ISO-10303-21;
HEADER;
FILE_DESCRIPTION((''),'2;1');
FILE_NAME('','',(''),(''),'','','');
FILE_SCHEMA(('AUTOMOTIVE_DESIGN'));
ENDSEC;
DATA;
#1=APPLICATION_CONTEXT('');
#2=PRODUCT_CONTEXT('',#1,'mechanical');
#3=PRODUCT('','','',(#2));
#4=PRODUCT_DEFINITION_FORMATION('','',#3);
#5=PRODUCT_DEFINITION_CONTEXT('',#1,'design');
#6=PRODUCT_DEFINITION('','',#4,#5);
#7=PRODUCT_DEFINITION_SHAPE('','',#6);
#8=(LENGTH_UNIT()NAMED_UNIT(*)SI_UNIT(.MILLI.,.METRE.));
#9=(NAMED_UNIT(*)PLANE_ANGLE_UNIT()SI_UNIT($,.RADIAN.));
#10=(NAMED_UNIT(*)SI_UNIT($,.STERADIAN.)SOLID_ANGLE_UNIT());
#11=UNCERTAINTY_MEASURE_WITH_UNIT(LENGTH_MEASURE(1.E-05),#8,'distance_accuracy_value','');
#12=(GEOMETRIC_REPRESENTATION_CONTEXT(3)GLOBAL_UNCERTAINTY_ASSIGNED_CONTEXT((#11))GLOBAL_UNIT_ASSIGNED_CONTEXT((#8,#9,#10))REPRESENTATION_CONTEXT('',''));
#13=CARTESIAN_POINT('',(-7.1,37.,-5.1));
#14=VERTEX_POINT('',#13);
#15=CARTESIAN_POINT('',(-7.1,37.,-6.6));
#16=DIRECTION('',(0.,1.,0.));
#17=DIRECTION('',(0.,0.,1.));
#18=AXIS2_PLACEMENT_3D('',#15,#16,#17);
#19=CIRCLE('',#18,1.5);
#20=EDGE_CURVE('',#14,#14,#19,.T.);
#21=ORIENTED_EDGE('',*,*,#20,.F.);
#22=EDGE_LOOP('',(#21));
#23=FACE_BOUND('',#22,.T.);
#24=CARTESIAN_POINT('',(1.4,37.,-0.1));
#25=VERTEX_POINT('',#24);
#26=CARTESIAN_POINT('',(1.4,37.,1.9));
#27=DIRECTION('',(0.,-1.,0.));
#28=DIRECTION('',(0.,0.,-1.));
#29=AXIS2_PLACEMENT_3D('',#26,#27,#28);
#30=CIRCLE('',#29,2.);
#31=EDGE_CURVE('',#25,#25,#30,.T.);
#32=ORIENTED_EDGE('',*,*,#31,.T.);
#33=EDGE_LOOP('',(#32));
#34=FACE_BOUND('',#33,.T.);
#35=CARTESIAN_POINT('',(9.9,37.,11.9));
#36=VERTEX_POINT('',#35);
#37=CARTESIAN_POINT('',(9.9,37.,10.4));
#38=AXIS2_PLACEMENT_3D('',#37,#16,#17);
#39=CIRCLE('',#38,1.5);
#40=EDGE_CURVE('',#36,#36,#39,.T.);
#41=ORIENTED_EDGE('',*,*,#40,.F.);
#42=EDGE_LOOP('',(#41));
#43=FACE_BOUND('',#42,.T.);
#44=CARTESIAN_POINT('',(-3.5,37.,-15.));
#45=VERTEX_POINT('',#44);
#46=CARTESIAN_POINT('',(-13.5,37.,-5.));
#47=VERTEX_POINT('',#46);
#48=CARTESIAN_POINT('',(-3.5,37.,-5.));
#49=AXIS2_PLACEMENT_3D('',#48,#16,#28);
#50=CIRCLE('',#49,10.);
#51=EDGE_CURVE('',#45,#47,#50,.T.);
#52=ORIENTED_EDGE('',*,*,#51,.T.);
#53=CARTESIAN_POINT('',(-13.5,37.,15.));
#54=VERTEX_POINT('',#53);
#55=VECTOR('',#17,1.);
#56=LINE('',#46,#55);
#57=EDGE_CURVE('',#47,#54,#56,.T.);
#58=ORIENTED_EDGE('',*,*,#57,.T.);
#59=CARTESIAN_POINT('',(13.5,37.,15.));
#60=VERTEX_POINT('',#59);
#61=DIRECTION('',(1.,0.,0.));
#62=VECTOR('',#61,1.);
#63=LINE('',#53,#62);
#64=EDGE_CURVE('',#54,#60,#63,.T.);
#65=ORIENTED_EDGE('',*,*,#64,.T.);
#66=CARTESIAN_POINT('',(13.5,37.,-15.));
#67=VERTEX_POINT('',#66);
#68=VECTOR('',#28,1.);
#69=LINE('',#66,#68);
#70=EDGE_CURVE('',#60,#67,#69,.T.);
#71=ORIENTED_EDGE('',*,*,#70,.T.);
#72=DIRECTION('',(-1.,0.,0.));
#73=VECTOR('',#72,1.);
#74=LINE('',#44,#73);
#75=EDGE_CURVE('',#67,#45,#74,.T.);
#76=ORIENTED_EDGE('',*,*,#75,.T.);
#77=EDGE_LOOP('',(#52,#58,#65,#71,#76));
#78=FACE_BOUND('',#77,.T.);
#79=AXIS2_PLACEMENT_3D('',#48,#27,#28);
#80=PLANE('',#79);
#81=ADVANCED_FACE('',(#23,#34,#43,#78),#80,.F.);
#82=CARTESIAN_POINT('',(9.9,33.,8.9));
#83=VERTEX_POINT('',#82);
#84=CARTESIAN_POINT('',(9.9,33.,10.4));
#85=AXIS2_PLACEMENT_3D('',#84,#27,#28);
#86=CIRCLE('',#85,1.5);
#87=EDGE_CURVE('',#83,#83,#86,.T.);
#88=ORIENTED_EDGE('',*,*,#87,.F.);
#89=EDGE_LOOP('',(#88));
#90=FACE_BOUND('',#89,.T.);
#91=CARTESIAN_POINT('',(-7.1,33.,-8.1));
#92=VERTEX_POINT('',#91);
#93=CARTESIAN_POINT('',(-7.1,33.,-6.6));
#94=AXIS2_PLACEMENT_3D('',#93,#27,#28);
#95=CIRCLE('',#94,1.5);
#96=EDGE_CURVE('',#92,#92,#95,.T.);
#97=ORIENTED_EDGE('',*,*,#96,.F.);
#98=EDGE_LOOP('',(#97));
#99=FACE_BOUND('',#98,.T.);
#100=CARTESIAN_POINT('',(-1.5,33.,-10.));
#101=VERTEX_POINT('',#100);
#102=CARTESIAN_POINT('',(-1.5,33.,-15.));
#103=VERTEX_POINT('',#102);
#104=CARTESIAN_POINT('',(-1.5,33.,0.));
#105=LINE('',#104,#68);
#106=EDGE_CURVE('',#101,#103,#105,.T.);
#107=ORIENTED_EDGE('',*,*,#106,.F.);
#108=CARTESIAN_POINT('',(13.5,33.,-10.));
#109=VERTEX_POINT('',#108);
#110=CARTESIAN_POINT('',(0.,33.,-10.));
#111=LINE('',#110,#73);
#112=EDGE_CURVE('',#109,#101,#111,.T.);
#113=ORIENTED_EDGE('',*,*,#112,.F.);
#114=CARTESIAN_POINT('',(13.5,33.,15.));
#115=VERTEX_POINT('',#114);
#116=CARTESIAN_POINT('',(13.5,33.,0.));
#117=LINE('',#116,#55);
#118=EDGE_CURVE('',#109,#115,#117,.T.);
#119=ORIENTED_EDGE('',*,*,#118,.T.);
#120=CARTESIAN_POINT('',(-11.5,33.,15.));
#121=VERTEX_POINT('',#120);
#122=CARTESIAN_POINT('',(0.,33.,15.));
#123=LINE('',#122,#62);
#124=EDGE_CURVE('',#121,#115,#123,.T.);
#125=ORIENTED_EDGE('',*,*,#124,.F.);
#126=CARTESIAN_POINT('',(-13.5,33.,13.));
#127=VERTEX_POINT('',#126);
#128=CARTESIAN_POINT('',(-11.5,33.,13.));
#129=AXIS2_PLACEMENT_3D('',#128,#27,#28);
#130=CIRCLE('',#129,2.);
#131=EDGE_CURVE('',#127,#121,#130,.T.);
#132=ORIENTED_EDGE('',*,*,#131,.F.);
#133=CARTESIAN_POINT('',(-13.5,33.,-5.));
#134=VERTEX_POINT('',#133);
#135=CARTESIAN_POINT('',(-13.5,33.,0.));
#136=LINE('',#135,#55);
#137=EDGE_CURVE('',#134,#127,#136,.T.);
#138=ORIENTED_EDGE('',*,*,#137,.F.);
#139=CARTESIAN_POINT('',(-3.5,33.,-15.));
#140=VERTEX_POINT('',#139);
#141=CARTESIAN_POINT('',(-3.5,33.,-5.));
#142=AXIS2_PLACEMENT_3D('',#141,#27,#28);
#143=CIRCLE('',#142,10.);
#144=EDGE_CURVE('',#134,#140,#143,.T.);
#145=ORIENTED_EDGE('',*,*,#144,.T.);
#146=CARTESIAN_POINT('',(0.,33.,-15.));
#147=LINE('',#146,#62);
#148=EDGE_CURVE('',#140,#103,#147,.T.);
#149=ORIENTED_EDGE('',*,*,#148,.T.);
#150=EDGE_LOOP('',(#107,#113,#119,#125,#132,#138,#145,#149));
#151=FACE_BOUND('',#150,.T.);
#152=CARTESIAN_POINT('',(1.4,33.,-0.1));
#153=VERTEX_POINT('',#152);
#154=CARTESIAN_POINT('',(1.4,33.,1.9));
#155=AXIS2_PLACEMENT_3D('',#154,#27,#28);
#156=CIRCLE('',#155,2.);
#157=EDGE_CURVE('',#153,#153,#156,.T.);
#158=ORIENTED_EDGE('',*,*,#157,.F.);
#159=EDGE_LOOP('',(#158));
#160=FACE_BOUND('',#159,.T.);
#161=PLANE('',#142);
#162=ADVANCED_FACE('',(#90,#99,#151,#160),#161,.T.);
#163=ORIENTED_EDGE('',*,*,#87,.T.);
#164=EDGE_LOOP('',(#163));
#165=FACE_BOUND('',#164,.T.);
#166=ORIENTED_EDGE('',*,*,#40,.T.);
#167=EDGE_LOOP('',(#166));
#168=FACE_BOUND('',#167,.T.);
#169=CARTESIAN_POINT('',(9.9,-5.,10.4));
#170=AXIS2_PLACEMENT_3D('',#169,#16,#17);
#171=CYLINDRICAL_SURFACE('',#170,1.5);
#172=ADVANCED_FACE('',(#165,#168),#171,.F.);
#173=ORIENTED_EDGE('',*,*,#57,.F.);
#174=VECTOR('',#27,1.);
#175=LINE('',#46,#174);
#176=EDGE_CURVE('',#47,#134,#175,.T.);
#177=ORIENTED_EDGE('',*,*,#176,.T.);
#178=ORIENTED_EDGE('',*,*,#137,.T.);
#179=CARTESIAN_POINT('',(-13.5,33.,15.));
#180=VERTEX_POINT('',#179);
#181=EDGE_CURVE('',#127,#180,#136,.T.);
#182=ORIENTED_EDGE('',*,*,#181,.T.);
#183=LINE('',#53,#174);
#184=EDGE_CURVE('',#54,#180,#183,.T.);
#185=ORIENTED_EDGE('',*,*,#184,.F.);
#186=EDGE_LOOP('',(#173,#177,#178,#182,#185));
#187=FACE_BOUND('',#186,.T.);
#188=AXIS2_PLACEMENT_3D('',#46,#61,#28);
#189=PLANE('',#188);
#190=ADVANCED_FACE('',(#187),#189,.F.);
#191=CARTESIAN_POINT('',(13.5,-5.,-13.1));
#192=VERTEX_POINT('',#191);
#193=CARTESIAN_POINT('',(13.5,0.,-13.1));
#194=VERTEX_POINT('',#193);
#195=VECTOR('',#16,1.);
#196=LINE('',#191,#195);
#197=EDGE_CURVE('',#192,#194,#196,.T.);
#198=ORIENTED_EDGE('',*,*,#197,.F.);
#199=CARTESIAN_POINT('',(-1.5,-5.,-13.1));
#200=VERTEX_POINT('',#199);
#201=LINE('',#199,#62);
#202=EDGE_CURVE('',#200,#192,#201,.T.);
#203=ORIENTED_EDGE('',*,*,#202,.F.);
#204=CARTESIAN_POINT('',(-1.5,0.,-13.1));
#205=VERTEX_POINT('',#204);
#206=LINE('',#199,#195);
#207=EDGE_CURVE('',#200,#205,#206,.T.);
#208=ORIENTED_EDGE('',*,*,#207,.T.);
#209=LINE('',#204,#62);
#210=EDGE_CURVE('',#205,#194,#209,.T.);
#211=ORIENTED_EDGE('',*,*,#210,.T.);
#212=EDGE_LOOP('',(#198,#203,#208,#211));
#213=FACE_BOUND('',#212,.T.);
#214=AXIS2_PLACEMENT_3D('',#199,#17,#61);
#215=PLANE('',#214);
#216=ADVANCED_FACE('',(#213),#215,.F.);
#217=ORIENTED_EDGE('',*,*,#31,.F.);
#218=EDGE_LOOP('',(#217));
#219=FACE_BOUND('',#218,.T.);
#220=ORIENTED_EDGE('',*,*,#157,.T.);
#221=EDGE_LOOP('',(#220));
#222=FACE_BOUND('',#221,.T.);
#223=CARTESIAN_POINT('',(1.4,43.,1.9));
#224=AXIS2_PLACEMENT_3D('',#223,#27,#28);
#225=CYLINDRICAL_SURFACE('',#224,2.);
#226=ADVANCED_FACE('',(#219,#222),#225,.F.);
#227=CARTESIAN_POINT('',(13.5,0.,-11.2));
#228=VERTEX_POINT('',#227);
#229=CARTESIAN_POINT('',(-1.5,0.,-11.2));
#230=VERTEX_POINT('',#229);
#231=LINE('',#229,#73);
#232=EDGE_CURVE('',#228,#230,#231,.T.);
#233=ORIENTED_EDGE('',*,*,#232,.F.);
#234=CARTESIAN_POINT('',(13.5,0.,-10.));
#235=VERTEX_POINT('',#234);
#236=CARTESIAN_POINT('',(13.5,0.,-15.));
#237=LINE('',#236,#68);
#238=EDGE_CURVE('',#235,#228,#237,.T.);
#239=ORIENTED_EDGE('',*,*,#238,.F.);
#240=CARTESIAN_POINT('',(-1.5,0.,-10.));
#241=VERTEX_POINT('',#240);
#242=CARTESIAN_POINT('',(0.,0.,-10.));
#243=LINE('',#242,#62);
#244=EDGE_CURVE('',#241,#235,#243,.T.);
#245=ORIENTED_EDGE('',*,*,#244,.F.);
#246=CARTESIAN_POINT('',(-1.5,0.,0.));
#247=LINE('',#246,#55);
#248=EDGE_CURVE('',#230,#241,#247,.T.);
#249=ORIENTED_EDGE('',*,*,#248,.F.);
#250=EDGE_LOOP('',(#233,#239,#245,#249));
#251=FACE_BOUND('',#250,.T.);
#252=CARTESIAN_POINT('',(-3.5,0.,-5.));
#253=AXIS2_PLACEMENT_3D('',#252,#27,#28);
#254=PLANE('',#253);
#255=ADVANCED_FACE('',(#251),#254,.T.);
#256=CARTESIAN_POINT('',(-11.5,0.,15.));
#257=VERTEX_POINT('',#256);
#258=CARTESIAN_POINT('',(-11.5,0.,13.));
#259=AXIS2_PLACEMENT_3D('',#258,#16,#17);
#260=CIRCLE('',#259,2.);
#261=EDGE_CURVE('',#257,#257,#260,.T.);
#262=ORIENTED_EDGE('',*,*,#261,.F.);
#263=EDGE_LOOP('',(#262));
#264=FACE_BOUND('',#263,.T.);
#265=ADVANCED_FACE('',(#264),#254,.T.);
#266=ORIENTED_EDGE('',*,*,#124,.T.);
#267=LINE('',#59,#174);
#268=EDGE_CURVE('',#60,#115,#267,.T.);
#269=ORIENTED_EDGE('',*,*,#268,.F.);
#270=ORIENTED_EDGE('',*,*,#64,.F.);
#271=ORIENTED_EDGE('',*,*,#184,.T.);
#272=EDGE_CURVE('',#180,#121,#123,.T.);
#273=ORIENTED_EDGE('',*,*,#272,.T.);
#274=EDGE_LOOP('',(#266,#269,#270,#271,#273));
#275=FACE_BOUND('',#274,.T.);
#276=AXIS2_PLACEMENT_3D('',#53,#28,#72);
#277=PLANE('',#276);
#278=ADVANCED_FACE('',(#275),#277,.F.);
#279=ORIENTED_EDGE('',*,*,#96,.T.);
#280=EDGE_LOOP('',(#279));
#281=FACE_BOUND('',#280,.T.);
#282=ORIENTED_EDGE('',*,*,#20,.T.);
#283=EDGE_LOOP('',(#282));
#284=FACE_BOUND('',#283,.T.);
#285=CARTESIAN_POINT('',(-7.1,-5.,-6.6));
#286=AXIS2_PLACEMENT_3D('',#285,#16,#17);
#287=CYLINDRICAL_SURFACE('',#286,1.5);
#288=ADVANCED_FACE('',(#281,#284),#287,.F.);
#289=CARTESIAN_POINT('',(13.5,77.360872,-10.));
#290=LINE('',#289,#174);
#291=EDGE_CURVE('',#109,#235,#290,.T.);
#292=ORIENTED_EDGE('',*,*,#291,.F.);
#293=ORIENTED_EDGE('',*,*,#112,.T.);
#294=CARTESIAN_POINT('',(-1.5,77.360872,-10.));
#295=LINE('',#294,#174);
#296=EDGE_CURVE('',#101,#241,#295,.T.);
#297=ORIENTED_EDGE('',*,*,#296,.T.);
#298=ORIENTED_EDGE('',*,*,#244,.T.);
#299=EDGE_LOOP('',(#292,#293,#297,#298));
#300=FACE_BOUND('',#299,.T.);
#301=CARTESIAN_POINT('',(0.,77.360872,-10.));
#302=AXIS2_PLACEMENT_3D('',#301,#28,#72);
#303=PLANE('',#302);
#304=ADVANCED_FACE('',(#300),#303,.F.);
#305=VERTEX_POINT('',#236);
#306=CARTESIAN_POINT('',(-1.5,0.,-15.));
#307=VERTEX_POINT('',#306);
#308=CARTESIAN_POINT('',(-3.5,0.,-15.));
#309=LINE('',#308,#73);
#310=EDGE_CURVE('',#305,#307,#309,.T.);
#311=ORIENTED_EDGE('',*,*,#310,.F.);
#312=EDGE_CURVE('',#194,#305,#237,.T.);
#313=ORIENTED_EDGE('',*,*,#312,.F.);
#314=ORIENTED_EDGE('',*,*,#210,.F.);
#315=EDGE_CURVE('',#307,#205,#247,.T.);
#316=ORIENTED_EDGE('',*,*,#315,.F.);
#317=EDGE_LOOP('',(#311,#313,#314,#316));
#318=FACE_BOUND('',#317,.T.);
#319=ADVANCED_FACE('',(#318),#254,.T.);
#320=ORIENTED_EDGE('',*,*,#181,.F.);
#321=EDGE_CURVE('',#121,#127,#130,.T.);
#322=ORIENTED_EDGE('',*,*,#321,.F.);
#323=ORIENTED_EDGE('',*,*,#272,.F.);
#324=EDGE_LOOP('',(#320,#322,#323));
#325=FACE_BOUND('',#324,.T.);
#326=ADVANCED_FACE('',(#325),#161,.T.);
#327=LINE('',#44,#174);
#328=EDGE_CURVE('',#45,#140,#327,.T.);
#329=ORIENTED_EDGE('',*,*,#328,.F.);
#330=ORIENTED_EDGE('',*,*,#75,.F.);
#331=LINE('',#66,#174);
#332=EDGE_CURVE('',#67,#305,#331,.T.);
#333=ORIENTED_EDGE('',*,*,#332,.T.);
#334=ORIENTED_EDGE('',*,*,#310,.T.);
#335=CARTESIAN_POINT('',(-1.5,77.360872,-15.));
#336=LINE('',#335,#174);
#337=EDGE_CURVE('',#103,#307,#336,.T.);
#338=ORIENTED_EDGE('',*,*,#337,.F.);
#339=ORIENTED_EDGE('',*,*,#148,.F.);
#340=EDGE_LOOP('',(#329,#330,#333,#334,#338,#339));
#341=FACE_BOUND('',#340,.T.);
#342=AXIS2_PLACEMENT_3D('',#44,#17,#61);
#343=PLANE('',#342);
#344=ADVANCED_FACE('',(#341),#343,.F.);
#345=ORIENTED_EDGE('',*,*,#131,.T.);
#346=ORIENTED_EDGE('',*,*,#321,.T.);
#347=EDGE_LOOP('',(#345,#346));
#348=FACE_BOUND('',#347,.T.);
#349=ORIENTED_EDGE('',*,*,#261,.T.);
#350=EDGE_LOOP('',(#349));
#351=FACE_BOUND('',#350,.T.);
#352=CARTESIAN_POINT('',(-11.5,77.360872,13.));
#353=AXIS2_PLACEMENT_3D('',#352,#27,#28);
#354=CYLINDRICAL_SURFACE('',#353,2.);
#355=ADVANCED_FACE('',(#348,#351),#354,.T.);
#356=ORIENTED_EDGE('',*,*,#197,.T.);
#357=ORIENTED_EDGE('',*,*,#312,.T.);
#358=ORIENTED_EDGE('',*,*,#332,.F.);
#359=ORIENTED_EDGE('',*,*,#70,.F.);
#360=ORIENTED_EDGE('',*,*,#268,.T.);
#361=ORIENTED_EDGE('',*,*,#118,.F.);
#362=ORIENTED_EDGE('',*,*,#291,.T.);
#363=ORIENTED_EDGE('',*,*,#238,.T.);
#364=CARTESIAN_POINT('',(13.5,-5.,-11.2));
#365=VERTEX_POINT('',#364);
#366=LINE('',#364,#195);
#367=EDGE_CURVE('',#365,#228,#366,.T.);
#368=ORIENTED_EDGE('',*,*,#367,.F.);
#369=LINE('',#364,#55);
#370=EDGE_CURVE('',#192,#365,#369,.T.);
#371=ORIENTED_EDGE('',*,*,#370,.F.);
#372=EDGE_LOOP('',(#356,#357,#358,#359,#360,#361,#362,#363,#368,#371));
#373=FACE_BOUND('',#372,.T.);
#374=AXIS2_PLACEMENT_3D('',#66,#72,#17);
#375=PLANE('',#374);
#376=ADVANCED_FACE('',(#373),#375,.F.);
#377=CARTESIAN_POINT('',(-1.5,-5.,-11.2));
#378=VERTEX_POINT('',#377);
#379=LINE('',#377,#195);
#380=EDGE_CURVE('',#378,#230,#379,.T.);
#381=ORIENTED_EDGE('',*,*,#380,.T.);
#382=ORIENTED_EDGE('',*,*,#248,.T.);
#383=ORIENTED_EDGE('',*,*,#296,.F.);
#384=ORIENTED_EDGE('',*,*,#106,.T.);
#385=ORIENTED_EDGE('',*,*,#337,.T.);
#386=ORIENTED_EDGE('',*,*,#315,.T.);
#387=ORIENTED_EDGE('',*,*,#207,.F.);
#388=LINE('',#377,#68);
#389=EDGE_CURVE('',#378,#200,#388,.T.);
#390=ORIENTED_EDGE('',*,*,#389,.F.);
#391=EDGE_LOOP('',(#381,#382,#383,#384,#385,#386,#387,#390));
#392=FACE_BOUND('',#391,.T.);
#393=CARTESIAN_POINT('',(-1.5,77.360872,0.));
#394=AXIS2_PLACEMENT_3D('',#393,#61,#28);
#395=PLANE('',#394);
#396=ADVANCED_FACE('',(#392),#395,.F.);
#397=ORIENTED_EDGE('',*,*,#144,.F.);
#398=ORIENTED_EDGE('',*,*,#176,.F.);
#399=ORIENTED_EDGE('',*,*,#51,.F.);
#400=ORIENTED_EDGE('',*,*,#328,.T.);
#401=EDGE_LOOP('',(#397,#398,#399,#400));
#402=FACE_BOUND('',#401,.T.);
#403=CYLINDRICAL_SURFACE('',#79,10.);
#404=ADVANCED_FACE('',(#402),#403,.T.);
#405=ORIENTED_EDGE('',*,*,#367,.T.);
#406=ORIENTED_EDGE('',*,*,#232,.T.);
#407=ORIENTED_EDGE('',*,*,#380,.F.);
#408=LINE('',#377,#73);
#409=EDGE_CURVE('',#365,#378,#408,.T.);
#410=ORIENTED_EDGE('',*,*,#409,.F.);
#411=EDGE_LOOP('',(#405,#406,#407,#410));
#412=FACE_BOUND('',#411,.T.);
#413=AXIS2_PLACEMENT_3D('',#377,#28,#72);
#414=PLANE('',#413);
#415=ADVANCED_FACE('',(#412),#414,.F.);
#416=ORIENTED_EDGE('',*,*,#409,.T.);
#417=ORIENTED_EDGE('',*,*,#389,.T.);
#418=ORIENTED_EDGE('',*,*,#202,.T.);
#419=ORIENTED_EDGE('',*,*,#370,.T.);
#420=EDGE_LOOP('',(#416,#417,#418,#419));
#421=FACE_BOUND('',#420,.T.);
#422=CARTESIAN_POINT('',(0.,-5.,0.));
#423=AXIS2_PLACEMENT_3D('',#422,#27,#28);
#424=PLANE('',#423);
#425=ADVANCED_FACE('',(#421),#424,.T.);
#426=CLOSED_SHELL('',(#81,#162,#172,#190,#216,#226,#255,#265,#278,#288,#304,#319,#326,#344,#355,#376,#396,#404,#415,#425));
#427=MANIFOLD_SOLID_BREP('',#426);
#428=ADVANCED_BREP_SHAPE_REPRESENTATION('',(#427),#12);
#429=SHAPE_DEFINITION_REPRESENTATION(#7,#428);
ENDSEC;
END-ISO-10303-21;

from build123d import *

# Parameters (mm, degrees)
EXTRUDE_1_DEPTH     = 37
CUT_EXTRUDE_1_DEPTH = 33
SKETCH_3_W          = 15
SKETCH_3_H          = 1.9
EXTRUDE_2_DEPTH     = 5
SKETCH_4_R          = 2
CUT_EXTRUDE_2_DEPTH = 10
SKETCH_5_R          = 1.5
CUT_EXTRUDE_3_DEPTH = 47.596673701


with BuildPart() as part:
    # 草图1 → 凸台-拉伸1 (new body)
    with BuildSketch(Plane(origin=(0, 0, 0), x_dir=(1, 0, 0), z_dir=(0, 1, 0))):
        with BuildLine():
            Line((-3.5, 15), (13.5, 15))
            Line((13.5, 15), (13.5, -15))
            Line((13.5, -15), (-13.5, -15))
            Line((-13.5, -15), (-13.5, 5))
            ThreePointArc((-13.5, 5), (-10.571067812, 12.071067812), (-3.5, 15))
        make_face()
    extrude(amount=EXTRUDE_1_DEPTH)

    # 草图2 → 切除-拉伸1 (cut)
    with BuildSketch(Plane(origin=(0, 0, 0), x_dir=(1, 0, 0), z_dir=(0, 1, 0))):
        with BuildLine():
            Line((-11.499999995, -15), (13.5, -15))
            Line((13.5, -15), (13.5, 10))
            Line((13.5, 10), (-1.5, 10))
            Line((-1.5, 10), (-1.5, 15))
            Line((-1.5, 15), (-13.5, 15))
            Line((-13.5, 15), (-13.5, -13))
            ThreePointArc((-13.5, -13), (-11.5, -11), (-9.5, -13))
            ThreePointArc((-9.5, -13), (-10.085786436, -14.414213561), (-11.499999995, -15))
        make_face()
        with BuildLine():
            Line((-13.5, -15), (-11.499999995, -15))
            ThreePointArc((-11.499999995, -15), (-12.914213561, -14.414213564), (-13.5, -13))
            Line((-13.5, -13), (-13.5, -15))
        make_face()
    extrude(amount=CUT_EXTRUDE_1_DEPTH, mode=Mode.SUBTRACT)

    # 草图3 → 凸台-拉伸2 (add)
    with BuildSketch(Plane.XZ):
        with Locations((6, -12.15)):
            Rectangle(SKETCH_3_W, SKETCH_3_H)
    extrude(amount=EXTRUDE_2_DEPTH)

    # 草图4 → 切除-拉伸2 (cut)
    with BuildSketch(Plane.XZ.offset(-33)):
        with Locations(Location((1.4, 1.9, 0), (0, 0, 270))):
            Circle(SKETCH_4_R)
    extrude(amount=-CUT_EXTRUDE_2_DEPTH, mode=Mode.SUBTRACT)

    # 草图5 → 切除-拉伸3 (cut, through all)
    with BuildSketch(Plane(origin=(0, 37, 0), x_dir=(1, 0, 0), z_dir=(0, 1, 0))):
        with Locations(Location((-7.1, 6.6, 0), (0, 0, 270))):
            Circle(SKETCH_5_R)
        with Locations(Location((9.9, -10.4, 0), (0, 0, 270))):
            Circle(SKETCH_5_R)
    extrude(amount=-CUT_EXTRUDE_3_DEPTH, mode=Mode.SUBTRACT)


solid = part.part
